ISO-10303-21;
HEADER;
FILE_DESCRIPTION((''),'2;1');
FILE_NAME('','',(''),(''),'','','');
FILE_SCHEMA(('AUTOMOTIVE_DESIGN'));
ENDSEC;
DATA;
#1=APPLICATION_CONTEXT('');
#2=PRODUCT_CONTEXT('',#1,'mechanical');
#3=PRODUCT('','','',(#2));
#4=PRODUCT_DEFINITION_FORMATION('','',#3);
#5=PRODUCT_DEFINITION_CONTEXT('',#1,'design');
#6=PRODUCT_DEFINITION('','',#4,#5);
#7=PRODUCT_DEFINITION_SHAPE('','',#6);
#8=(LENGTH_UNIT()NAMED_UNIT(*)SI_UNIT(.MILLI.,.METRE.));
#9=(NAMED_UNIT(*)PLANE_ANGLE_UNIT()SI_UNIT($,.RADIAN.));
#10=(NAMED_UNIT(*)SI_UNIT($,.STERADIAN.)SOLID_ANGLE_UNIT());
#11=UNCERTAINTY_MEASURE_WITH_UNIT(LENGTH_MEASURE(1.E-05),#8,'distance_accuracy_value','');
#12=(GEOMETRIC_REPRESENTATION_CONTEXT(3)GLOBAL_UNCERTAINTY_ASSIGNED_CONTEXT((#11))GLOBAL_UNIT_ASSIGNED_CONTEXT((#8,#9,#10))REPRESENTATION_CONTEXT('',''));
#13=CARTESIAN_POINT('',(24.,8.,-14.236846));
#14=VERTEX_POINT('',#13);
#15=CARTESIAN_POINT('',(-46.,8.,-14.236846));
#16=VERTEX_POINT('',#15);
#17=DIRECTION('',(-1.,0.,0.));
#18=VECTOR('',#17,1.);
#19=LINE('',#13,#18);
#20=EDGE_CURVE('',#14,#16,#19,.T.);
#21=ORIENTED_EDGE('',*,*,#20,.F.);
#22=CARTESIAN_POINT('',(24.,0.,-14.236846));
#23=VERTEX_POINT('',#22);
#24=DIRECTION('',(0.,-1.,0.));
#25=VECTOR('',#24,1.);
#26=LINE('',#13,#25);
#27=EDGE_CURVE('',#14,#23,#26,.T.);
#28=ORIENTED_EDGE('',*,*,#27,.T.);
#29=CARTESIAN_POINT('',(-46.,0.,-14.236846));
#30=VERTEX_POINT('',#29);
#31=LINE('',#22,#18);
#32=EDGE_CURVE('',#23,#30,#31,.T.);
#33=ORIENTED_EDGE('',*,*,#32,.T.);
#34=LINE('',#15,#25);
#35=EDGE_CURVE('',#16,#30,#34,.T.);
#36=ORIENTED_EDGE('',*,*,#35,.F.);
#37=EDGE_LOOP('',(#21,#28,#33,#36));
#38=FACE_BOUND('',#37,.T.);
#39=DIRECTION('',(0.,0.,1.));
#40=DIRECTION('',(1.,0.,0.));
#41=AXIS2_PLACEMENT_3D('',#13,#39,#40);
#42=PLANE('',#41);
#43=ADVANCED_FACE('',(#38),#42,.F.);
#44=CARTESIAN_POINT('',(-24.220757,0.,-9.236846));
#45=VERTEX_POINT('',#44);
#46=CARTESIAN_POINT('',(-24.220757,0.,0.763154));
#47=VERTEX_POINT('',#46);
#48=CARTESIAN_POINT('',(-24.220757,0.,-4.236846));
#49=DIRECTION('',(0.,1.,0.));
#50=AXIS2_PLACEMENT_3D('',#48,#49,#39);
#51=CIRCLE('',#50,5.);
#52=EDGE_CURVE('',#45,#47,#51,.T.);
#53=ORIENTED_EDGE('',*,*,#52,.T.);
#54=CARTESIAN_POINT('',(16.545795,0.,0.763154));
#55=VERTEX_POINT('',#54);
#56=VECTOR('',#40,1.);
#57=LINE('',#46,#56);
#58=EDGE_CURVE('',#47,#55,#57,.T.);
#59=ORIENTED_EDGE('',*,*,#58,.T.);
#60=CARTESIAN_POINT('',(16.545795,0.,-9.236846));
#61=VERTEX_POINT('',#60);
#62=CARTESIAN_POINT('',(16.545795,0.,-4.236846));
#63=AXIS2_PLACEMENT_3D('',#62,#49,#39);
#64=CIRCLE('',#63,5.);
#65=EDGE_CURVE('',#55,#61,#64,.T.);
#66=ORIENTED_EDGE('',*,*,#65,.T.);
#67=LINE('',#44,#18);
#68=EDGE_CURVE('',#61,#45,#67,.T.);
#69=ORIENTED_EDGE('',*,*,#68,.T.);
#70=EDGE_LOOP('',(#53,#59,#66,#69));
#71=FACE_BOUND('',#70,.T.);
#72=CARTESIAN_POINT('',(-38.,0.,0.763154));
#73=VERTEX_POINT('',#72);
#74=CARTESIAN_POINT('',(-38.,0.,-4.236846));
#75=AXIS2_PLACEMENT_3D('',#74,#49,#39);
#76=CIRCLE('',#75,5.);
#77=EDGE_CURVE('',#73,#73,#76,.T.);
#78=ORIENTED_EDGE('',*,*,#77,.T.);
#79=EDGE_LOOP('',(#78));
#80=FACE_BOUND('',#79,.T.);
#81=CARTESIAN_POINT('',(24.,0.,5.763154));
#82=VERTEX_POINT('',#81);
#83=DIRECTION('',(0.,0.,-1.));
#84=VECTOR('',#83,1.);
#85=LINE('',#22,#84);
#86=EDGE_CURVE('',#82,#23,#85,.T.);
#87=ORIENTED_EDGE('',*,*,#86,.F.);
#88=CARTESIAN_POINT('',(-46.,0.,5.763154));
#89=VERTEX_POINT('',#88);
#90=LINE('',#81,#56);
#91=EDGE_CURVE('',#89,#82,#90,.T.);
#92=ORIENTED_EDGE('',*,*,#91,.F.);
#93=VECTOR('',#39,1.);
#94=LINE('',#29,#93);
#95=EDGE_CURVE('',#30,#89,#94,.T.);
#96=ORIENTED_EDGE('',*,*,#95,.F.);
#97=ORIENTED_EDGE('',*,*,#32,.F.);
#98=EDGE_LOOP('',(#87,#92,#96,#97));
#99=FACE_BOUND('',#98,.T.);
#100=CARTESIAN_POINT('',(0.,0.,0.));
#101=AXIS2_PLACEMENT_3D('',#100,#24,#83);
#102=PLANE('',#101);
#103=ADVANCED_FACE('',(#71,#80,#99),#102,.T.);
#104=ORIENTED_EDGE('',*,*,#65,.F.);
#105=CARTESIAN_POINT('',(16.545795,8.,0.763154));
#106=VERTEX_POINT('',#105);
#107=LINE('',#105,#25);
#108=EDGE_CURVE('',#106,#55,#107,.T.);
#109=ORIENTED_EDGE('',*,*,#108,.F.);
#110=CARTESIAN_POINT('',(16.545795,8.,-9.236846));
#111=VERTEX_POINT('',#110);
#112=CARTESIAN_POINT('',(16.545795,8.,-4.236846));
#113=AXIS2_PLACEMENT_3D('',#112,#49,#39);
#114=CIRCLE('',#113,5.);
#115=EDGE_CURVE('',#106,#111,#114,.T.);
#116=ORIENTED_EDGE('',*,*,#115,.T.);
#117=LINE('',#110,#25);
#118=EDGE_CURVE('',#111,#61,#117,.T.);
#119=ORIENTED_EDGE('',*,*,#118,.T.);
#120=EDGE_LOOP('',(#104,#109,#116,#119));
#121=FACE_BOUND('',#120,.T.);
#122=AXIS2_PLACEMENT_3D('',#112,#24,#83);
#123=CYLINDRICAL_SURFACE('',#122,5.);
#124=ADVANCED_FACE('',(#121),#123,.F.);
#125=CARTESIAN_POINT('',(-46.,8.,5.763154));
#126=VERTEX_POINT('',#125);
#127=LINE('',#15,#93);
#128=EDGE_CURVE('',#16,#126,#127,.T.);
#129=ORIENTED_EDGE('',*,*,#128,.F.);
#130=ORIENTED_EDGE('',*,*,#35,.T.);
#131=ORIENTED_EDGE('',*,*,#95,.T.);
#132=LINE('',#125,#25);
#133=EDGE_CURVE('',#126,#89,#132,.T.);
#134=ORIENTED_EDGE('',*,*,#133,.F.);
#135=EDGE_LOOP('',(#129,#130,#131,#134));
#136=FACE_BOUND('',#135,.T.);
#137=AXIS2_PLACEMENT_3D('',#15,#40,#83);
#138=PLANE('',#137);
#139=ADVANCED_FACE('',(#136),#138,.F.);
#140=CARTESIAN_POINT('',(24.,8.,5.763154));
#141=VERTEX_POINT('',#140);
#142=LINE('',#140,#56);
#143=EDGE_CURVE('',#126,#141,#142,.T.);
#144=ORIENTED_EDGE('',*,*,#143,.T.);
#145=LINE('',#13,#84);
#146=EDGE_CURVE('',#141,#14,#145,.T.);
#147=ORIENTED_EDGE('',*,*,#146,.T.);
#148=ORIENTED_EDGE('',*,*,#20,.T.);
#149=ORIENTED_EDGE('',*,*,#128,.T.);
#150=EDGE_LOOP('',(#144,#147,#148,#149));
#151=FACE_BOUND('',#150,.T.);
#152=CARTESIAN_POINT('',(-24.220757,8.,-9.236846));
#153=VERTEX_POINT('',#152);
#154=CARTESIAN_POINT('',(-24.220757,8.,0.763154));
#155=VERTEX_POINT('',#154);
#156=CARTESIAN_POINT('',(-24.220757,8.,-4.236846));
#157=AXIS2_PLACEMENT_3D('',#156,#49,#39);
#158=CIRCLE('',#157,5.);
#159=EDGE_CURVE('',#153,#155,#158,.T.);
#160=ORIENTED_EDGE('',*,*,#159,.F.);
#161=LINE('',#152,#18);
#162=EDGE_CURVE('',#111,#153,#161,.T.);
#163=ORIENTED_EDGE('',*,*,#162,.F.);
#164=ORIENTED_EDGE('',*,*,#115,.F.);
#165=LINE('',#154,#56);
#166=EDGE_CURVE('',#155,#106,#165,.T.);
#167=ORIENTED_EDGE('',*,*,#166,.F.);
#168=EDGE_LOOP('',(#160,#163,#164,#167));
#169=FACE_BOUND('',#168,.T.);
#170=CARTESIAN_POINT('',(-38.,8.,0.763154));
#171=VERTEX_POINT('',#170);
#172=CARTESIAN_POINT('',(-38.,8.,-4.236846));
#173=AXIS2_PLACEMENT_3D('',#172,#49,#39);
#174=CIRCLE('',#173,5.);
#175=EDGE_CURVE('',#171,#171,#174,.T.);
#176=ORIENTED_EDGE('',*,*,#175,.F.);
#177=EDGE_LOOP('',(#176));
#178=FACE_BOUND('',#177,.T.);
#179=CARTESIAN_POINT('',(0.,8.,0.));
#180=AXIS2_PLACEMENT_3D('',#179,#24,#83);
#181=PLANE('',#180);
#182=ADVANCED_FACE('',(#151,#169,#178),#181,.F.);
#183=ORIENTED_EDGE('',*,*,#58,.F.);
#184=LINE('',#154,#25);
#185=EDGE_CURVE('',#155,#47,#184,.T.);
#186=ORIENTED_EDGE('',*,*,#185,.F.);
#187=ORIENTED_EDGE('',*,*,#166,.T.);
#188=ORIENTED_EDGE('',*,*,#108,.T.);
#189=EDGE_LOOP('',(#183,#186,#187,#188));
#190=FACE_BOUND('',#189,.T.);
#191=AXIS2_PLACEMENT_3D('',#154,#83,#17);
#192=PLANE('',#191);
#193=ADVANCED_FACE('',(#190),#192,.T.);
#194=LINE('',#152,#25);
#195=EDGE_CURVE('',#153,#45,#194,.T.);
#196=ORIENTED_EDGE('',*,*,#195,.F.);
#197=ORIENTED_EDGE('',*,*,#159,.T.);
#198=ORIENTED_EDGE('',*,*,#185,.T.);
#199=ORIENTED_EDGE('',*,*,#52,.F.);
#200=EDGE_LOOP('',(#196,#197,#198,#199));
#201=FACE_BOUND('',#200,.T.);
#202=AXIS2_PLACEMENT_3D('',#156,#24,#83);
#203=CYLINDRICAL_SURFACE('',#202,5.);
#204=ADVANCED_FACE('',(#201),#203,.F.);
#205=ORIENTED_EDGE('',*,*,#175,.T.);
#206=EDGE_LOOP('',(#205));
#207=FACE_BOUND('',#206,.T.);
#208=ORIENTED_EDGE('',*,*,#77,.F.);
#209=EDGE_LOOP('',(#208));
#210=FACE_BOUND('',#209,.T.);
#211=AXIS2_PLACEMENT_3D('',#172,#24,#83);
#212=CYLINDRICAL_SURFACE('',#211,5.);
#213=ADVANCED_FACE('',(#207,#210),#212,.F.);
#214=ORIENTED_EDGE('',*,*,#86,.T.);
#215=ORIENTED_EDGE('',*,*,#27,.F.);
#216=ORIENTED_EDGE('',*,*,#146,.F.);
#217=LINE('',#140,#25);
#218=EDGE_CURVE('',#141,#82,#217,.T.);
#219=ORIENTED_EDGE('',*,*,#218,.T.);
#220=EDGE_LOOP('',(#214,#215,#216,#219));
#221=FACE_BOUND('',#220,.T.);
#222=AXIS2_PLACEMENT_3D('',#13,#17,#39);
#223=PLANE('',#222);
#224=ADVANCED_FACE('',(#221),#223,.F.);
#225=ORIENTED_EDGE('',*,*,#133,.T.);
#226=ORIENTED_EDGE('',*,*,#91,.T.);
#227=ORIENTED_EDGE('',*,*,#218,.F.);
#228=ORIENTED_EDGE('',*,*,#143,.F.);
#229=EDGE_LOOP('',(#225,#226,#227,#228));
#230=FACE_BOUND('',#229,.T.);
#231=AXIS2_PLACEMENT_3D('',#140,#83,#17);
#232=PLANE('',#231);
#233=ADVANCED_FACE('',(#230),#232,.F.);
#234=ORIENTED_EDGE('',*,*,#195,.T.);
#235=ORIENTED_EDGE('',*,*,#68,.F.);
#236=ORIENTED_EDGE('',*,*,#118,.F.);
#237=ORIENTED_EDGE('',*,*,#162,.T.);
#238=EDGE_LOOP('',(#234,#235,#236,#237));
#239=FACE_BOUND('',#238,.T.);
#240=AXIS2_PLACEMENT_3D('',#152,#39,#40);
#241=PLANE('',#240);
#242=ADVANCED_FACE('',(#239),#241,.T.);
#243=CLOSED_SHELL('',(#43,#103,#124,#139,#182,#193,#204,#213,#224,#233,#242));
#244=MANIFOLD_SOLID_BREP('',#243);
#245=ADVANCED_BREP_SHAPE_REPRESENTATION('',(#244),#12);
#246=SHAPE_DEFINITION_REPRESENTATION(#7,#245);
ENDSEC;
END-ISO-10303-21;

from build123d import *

# Parameters (mm, degrees)
SKETCH1_W           = 70
SKETCH1_H           = 20
SKETCH1_R           = 5
BOSS_EXTRUDE1_DEPTH = 8


with BuildPart() as part:
    # Sketch1 → Boss-Extrude1 (new body)
    with BuildSketch(Plane(origin=(0, 0, 0), x_dir=(1, 0, 0), z_dir=(0, 1, 0))):
        with Locations((-11, 4.236845834)):
            Rectangle(SKETCH1_W, SKETCH1_H)
        with Locations(Location((-38, 4.236845834, 0), (0, 0, 270))):
            Circle(SKETCH1_R, mode=Mode.SUBTRACT)
        with BuildLine():
            Line((-24.220756971, 9.236845834), (16.545795392, 9.236845834))
            ThreePointArc((16.545795392, 9.236845834), (21.545795392, 4.236845834), (16.545795392, -0.763154166))
            Line((16.545795392, -0.763154166), (-24.220756971, -0.763154166))
            ThreePointArc((-24.220756971, -0.763154166), (-29.220756971, 4.236845834), (-24.220756971, 9.236845834))
        make_face(mode=Mode.SUBTRACT)
    extrude(amount=BOSS_EXTRUDE1_DEPTH)


solid = part.part
